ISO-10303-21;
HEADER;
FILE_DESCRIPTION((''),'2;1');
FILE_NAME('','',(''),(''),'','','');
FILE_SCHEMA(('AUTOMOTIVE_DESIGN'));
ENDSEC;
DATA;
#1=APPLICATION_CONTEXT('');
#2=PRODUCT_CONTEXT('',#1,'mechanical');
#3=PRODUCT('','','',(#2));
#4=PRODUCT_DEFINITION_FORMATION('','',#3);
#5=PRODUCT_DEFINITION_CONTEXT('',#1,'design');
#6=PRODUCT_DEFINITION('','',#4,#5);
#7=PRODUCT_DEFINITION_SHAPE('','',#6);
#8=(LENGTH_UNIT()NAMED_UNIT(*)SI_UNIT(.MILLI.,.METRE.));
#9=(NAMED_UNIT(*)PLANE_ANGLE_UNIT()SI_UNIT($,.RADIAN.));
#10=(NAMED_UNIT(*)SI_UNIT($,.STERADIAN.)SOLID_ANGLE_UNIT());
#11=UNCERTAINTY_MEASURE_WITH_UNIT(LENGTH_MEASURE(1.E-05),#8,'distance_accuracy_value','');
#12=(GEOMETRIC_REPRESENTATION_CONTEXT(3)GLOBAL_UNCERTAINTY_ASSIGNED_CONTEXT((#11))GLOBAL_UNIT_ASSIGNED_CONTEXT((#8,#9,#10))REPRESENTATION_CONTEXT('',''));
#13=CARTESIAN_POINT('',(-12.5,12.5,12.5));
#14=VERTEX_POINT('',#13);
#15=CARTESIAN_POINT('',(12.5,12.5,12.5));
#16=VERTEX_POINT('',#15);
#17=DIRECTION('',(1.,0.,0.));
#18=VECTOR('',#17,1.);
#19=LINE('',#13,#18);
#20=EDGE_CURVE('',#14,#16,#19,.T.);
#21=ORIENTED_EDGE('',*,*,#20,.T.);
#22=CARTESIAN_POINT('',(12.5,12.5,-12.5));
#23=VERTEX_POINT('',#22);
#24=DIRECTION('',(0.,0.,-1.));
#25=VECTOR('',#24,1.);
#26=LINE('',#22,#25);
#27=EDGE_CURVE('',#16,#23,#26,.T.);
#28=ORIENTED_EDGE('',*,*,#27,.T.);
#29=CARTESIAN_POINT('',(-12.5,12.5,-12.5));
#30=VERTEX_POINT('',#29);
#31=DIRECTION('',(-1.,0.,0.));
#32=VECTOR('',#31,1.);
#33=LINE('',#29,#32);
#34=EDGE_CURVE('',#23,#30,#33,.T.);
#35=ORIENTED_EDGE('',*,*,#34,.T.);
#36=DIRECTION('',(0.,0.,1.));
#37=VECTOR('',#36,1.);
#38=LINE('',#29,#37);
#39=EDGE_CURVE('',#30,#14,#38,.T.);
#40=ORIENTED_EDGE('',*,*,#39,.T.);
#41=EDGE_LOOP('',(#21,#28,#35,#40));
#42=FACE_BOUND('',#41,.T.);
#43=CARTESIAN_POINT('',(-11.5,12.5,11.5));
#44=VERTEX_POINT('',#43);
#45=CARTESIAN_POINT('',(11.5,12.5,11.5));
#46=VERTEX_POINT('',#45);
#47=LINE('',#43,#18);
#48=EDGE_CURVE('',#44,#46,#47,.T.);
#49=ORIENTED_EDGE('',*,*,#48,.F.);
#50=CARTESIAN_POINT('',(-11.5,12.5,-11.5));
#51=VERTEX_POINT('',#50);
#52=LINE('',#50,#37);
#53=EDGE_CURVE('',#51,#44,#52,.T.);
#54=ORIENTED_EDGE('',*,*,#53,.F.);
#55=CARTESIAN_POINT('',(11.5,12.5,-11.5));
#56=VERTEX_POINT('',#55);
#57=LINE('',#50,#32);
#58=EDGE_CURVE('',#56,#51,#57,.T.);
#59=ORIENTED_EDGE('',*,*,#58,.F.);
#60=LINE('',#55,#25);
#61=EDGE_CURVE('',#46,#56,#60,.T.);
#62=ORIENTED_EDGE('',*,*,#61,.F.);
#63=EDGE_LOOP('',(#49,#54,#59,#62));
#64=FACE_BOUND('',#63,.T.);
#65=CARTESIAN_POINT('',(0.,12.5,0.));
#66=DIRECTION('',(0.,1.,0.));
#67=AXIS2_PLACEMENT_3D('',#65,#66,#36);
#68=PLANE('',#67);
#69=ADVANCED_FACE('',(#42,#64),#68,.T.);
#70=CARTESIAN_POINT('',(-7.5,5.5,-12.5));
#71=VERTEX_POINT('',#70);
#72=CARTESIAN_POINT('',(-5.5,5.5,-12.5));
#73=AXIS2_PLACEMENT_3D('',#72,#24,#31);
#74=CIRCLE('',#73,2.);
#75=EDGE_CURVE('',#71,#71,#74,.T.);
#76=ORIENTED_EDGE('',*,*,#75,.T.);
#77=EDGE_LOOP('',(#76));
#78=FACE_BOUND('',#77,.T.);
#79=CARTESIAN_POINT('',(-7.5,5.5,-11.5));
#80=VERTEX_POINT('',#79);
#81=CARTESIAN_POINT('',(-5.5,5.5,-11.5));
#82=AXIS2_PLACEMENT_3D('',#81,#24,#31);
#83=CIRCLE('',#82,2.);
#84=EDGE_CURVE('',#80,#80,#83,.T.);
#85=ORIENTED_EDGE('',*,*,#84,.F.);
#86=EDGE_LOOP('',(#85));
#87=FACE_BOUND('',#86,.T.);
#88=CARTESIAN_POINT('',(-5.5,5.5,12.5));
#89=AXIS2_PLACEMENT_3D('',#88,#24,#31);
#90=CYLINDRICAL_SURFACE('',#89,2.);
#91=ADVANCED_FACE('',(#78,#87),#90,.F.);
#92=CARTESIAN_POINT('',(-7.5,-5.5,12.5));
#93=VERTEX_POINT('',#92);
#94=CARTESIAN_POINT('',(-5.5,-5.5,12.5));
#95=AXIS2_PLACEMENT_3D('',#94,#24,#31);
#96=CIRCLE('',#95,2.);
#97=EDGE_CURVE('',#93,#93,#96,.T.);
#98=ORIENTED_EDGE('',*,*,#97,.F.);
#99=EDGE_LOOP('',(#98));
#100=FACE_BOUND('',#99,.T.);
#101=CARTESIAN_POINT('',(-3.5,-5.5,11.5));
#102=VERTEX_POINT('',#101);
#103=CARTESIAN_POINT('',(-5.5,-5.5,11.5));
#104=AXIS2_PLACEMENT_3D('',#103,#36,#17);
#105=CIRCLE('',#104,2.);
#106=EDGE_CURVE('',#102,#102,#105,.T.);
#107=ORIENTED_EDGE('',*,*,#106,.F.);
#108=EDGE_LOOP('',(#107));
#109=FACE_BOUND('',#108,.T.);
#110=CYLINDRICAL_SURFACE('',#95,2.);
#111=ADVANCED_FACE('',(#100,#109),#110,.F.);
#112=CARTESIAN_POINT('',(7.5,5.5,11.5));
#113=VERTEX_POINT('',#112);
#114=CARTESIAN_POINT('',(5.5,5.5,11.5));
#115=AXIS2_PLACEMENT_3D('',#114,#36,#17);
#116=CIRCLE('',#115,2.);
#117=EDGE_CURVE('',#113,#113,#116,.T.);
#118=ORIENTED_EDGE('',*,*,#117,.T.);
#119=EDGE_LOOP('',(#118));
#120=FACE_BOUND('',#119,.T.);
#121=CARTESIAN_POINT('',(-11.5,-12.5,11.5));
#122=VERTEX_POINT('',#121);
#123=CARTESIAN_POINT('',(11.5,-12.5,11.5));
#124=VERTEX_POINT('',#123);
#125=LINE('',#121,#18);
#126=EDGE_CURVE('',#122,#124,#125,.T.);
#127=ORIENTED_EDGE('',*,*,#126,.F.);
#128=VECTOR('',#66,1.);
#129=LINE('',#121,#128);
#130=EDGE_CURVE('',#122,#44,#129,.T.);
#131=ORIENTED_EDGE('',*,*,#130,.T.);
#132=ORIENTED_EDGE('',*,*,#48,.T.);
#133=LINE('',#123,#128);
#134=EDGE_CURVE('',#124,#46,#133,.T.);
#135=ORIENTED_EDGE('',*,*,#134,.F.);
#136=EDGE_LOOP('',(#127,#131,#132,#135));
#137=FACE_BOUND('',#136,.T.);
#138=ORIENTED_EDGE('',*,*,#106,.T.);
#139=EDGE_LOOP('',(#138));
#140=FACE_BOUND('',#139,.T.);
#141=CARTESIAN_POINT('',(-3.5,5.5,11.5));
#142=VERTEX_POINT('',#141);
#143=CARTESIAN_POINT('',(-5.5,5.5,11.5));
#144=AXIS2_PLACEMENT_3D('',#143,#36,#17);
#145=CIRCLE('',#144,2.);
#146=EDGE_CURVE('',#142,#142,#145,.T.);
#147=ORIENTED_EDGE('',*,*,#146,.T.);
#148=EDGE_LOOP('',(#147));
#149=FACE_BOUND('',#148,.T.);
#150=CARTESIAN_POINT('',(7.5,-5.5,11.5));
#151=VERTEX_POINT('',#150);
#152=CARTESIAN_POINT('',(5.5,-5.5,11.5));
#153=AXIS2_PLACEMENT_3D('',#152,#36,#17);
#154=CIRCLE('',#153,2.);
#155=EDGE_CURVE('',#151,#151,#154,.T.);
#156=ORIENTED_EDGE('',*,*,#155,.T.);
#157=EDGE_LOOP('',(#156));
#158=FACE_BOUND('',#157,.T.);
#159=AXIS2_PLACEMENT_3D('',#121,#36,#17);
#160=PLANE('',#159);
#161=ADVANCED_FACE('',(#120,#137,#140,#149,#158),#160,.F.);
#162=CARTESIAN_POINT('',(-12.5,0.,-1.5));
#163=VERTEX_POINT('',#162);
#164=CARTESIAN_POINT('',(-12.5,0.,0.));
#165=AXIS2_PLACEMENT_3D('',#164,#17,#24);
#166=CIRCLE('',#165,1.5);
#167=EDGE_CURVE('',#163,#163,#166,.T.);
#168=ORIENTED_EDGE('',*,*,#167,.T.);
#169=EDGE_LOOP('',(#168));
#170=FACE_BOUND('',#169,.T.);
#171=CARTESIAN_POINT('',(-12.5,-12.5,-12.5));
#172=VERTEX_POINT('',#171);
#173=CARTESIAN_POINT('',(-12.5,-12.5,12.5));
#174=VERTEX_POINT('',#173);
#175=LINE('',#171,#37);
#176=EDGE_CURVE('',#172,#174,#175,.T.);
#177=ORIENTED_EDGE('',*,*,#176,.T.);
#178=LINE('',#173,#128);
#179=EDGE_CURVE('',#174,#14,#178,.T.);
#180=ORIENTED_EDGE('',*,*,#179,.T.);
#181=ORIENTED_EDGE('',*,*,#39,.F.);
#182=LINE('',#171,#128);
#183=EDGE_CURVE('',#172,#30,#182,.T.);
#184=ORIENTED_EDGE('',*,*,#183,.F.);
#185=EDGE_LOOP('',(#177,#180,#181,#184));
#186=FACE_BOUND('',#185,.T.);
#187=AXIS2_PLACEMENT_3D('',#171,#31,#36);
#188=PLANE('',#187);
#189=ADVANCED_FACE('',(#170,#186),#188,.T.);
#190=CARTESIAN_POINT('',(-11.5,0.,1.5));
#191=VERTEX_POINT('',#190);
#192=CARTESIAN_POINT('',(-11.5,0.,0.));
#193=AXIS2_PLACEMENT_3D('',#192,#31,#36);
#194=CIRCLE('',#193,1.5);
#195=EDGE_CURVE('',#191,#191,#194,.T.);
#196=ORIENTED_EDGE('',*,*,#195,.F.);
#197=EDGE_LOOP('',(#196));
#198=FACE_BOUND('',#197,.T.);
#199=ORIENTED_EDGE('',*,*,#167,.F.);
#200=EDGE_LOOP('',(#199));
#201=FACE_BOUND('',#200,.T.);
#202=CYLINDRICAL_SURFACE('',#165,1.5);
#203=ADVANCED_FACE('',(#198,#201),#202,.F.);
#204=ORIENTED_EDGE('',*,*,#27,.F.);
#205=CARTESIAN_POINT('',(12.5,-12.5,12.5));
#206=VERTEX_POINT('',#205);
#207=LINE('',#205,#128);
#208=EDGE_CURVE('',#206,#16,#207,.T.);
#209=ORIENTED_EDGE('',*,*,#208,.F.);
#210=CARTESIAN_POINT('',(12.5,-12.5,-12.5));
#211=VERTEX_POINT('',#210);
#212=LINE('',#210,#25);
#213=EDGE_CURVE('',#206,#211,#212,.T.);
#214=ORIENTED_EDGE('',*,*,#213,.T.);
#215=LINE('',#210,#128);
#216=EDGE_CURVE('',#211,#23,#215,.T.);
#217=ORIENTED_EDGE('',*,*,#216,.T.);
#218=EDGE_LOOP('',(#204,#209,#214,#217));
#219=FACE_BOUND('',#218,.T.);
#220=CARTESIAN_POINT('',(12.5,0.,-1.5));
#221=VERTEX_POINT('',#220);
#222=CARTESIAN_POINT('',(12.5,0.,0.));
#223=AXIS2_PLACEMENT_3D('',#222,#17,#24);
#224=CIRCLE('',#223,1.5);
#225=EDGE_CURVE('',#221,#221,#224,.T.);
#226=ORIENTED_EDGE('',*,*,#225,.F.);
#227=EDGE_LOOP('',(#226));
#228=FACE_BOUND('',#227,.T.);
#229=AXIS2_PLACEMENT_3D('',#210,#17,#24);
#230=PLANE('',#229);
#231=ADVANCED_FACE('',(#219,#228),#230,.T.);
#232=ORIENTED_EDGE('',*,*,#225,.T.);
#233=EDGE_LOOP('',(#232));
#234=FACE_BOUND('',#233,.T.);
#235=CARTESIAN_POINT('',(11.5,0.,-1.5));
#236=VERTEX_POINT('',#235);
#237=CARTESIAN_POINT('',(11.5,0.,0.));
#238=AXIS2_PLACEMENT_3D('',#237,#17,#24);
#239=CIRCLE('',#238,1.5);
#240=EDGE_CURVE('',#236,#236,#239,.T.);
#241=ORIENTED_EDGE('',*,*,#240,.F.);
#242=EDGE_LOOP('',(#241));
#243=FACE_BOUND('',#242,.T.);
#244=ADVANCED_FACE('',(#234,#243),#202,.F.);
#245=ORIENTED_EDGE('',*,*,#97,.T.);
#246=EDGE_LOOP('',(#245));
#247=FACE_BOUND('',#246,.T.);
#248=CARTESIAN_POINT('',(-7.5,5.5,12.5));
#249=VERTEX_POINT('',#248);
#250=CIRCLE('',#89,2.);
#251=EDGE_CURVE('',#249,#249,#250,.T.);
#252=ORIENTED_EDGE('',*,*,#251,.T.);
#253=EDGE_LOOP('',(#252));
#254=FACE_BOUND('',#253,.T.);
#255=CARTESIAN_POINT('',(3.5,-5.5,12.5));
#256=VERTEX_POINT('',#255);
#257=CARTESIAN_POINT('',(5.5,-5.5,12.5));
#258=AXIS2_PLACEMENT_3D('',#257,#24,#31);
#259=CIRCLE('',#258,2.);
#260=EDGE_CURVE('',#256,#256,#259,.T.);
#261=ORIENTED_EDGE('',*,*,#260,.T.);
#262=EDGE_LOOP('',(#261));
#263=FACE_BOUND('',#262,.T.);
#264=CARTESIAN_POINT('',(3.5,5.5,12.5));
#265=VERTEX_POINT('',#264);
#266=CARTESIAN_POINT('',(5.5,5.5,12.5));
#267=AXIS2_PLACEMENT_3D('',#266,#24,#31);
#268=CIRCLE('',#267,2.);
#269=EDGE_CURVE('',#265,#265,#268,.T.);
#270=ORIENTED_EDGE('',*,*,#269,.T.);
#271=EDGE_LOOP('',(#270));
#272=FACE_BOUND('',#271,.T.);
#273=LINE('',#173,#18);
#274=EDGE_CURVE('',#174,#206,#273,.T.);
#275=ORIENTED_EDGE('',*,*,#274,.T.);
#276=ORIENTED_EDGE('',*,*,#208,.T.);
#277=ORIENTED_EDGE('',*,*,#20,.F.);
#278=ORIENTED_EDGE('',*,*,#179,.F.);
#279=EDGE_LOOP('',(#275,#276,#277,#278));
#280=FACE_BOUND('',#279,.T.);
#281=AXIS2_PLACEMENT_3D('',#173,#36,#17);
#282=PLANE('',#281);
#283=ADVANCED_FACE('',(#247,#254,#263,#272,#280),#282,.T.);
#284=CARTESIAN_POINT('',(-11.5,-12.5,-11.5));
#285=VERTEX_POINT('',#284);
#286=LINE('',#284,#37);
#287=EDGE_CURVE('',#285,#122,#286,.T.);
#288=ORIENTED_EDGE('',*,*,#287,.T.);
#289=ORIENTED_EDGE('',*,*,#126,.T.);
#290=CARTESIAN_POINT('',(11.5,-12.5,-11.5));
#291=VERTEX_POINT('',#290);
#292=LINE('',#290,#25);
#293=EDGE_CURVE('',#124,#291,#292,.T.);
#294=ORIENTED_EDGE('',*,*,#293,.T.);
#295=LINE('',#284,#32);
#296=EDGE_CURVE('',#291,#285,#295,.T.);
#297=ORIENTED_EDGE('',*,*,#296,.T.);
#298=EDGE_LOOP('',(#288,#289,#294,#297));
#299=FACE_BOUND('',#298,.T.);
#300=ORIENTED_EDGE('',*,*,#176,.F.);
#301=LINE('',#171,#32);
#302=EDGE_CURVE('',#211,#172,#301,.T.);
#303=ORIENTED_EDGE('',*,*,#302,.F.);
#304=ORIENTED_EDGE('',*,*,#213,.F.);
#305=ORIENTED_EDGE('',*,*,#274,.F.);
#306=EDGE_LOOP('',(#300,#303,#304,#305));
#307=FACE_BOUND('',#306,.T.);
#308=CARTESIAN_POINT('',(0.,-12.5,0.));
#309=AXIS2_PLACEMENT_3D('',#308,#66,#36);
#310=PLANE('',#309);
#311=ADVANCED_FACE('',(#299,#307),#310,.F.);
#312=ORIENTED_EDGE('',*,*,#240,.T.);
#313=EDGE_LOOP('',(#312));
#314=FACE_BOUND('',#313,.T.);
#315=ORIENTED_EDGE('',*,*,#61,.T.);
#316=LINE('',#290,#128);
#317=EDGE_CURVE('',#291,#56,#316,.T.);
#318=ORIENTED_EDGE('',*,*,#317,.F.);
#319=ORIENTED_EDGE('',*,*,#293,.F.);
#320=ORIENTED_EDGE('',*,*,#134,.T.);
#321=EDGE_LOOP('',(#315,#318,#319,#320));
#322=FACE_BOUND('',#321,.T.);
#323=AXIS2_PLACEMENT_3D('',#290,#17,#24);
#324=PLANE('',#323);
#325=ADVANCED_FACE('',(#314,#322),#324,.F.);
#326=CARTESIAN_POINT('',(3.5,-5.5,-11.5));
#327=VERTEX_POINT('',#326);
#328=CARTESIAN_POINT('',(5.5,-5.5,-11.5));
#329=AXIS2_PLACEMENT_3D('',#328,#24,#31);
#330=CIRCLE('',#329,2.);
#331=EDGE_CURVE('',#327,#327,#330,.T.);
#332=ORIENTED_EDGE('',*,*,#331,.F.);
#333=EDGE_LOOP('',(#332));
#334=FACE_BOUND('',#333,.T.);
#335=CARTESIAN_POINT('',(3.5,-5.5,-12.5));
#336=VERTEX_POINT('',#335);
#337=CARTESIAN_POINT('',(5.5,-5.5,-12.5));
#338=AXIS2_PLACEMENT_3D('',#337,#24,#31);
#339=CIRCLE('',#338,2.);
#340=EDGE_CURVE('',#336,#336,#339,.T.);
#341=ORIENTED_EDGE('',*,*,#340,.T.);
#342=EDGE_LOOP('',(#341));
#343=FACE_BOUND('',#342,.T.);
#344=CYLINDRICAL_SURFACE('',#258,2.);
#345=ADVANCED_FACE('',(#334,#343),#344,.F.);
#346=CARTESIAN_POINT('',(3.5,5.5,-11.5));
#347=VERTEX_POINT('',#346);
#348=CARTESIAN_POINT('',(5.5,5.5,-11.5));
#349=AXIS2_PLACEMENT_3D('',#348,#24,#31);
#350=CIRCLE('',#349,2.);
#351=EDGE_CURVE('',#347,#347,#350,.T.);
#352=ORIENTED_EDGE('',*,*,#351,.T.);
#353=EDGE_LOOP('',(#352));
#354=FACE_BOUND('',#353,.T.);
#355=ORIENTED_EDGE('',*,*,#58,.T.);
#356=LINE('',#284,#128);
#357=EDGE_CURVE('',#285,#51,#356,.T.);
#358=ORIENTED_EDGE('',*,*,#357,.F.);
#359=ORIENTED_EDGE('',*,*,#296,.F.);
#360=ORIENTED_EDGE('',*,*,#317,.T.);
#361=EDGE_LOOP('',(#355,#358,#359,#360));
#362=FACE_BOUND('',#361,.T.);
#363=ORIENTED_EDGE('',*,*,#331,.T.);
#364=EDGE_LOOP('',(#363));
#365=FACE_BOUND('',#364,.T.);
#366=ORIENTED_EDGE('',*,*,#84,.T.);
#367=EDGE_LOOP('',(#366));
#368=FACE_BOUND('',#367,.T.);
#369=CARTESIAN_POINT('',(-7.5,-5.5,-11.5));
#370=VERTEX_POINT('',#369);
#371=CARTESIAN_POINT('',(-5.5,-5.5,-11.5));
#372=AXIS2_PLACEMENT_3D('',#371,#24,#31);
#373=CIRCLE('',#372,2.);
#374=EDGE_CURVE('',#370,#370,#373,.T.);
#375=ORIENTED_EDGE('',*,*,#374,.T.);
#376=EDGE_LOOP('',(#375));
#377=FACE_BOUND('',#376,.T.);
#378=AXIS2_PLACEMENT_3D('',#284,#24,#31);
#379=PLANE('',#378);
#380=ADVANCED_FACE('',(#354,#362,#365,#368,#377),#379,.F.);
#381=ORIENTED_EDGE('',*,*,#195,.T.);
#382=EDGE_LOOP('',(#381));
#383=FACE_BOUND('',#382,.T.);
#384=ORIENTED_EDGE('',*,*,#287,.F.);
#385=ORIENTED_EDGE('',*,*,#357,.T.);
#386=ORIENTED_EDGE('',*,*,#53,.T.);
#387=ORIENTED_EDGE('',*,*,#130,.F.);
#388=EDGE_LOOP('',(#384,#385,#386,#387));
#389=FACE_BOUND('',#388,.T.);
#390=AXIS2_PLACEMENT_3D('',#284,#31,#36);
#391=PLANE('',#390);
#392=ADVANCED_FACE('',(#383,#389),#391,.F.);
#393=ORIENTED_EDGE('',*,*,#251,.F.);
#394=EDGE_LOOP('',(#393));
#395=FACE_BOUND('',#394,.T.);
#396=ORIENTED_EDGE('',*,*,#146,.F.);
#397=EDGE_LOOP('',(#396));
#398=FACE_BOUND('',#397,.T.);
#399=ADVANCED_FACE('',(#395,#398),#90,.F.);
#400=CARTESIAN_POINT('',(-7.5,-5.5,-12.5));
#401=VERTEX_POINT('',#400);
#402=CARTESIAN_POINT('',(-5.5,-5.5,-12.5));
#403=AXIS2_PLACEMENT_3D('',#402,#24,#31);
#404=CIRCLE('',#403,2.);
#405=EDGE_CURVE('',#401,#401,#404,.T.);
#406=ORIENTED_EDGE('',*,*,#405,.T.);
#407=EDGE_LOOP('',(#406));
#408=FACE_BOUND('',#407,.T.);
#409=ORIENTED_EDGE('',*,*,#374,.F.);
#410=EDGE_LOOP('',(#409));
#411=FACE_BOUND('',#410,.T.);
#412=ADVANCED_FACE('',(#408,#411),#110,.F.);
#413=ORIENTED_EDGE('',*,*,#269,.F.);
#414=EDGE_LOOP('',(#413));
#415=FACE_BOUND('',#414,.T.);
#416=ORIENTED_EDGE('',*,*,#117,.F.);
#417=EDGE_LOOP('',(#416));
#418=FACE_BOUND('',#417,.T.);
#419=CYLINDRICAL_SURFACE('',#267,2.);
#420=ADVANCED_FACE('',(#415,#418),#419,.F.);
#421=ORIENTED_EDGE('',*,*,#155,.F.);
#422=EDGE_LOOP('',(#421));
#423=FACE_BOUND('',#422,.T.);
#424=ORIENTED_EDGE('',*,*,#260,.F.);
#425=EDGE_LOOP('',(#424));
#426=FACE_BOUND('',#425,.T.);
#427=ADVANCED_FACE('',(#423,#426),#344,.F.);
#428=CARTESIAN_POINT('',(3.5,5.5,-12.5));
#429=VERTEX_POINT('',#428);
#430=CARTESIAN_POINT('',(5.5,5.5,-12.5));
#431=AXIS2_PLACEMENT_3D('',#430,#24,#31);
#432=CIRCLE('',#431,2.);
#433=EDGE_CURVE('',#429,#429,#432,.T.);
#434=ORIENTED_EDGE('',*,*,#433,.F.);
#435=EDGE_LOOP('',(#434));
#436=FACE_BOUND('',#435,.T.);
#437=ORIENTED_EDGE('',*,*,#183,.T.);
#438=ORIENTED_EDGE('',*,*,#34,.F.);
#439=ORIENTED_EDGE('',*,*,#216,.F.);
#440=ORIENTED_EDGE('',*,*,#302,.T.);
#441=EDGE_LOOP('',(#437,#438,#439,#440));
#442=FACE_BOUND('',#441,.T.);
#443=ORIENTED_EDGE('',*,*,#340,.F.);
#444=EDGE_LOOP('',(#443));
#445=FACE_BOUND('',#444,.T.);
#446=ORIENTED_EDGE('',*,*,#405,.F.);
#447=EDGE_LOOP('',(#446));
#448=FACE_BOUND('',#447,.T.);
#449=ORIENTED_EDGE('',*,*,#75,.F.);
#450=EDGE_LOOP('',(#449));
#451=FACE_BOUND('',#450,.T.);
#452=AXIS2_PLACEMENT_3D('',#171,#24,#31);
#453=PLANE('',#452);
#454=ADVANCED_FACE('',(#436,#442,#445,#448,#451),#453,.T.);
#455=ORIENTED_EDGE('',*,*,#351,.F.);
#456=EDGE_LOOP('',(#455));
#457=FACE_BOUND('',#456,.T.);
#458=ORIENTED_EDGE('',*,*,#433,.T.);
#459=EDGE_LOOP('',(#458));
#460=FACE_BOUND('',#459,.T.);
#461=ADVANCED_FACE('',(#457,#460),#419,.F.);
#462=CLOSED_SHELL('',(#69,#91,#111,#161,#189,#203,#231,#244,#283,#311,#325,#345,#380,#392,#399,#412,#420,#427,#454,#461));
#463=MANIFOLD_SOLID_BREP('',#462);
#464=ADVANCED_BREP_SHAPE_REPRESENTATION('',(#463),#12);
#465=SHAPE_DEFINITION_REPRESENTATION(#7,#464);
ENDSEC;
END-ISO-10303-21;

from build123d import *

# Parameters (mm, degrees)
BOSS_EXTRUDE1_DEPTH      = 12.5
BOSS_EXTRUDE1_DEPTH_BACK = 12.5
SKETCH1_W                = 25
SKETCH1_H                = 25
SKETCH1_W_2              = 23
SKETCH1_H_2              = 23
SKETCH2_R                = 2
CUT_EXTRUDE1_DEPTH       = 25
SKETCH3_R                = 1.5
CUT_EXTRUDE2_DEPTH       = 25


with BuildPart() as part:
    # Sketch1 → Boss-Extrude1 (new, two sides: drawn at the far end of the back side and taken through both)
    with BuildSketch(Plane(origin=(0, 0, 0), x_dir=(1, 0, 0), z_dir=(0, 1, 0)).offset(-BOSS_EXTRUDE1_DEPTH_BACK)):
        Rectangle(SKETCH1_W, SKETCH1_H)
        Rectangle(SKETCH1_W_2, SKETCH1_H_2, mode=Mode.SUBTRACT)
    extrude(amount=BOSS_EXTRUDE1_DEPTH + BOSS_EXTRUDE1_DEPTH_BACK)

    # Sketch2 → Cut-Extrude1 (cut)
    with BuildSketch(Plane(origin=(0, 0, -12.5), x_dir=(-1, 0, 0), z_dir=(0, 0, -1))):
        with Locations((5.5, 5.5)):
            Circle(SKETCH2_R)
        with Locations((5.5, -5.5)):
            Circle(SKETCH2_R)
        with Locations((-5.5, -5.5)):
            Circle(SKETCH2_R)
        with Locations((-5.5, 5.5)):
            Circle(SKETCH2_R)
    extrude(amount=-CUT_EXTRUDE1_DEPTH, mode=Mode.SUBTRACT)

    # Sketch3 → Cut-Extrude2 (cut)
    with BuildSketch(Plane(origin=(12.5, 0, 0), x_dir=(0, 0, -1), z_dir=(1, 0, 0))):
        Circle(SKETCH3_R)
    extrude(amount=-CUT_EXTRUDE2_DEPTH, mode=Mode.SUBTRACT)


solid = part.part
